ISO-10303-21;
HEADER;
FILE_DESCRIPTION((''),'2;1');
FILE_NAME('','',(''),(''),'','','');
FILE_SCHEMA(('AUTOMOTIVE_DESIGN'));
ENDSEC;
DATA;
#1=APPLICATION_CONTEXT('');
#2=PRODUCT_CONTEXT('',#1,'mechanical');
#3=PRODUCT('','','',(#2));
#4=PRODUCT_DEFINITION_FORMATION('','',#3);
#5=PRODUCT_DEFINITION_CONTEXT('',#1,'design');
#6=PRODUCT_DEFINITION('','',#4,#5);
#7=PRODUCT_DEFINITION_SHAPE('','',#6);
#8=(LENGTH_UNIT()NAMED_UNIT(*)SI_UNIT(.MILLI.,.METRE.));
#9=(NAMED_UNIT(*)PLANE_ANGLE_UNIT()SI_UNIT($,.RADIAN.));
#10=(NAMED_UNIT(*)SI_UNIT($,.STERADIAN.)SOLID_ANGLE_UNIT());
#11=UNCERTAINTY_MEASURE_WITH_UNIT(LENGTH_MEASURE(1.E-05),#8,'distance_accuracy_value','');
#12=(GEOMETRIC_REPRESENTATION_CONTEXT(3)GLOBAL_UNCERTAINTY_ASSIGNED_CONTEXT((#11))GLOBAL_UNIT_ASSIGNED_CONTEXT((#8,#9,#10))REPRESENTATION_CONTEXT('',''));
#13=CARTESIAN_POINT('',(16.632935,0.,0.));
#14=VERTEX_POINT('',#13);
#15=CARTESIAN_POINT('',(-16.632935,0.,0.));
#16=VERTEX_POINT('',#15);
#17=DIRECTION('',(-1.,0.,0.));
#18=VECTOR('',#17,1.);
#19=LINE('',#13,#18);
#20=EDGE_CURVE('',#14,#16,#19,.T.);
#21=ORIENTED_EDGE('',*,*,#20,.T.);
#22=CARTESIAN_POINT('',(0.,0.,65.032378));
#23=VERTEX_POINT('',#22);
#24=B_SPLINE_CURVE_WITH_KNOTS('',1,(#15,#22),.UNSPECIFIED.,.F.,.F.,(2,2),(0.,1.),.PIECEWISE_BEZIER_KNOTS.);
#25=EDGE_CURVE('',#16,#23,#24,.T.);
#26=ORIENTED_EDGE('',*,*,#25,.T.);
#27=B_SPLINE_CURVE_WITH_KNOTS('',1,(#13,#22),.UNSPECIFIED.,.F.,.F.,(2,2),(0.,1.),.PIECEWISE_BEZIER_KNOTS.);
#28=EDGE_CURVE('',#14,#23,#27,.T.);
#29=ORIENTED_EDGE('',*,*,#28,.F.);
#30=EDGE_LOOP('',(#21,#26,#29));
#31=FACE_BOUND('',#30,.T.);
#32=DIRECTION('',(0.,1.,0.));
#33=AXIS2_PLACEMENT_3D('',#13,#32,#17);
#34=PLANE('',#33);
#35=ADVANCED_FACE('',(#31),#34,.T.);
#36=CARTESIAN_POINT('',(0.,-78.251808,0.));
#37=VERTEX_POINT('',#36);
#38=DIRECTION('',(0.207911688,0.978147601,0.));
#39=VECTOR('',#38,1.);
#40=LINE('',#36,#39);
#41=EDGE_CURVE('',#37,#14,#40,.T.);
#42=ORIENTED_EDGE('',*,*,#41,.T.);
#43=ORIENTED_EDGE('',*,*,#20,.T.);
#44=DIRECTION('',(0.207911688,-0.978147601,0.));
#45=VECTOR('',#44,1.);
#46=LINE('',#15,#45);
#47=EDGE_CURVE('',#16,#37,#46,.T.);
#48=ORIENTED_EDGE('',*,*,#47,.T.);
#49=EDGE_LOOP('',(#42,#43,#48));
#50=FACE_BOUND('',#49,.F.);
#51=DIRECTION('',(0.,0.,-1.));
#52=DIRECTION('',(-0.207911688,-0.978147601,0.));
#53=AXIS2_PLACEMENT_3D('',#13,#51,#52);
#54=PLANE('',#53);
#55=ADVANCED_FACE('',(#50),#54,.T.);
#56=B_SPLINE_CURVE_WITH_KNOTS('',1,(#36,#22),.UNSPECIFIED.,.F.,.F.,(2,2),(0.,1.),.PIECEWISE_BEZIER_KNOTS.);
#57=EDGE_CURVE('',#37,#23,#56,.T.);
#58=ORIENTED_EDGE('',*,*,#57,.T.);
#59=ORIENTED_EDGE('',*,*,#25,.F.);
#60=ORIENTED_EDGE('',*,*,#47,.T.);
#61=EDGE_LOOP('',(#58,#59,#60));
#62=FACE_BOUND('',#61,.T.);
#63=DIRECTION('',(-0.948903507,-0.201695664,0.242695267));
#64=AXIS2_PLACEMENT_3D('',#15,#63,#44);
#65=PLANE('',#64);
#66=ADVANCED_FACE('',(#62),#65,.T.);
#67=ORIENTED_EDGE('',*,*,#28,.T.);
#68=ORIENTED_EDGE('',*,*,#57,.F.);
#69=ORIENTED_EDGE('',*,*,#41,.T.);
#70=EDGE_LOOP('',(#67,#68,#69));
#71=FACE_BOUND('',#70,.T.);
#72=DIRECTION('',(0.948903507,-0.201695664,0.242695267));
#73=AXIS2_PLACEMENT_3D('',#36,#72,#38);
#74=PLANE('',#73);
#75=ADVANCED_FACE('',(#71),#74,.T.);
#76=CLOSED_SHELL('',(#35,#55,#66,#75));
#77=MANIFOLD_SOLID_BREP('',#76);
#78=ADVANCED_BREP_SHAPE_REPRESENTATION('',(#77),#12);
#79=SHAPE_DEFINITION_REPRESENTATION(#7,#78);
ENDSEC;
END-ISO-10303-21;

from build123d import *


with BuildPart() as f2:
    # F0 (on Top) → F2 section 0
    with BuildSketch(Plane.XY, mode=Mode.PRIVATE) as f2_s0:
        Polygon((16.632935, 0), (-16.632935, 0), (0, -78.251808), align=None)
    loft([f2_s0.sketch, Vertex(0, 0, 65.032378)])


solid = f2.part
